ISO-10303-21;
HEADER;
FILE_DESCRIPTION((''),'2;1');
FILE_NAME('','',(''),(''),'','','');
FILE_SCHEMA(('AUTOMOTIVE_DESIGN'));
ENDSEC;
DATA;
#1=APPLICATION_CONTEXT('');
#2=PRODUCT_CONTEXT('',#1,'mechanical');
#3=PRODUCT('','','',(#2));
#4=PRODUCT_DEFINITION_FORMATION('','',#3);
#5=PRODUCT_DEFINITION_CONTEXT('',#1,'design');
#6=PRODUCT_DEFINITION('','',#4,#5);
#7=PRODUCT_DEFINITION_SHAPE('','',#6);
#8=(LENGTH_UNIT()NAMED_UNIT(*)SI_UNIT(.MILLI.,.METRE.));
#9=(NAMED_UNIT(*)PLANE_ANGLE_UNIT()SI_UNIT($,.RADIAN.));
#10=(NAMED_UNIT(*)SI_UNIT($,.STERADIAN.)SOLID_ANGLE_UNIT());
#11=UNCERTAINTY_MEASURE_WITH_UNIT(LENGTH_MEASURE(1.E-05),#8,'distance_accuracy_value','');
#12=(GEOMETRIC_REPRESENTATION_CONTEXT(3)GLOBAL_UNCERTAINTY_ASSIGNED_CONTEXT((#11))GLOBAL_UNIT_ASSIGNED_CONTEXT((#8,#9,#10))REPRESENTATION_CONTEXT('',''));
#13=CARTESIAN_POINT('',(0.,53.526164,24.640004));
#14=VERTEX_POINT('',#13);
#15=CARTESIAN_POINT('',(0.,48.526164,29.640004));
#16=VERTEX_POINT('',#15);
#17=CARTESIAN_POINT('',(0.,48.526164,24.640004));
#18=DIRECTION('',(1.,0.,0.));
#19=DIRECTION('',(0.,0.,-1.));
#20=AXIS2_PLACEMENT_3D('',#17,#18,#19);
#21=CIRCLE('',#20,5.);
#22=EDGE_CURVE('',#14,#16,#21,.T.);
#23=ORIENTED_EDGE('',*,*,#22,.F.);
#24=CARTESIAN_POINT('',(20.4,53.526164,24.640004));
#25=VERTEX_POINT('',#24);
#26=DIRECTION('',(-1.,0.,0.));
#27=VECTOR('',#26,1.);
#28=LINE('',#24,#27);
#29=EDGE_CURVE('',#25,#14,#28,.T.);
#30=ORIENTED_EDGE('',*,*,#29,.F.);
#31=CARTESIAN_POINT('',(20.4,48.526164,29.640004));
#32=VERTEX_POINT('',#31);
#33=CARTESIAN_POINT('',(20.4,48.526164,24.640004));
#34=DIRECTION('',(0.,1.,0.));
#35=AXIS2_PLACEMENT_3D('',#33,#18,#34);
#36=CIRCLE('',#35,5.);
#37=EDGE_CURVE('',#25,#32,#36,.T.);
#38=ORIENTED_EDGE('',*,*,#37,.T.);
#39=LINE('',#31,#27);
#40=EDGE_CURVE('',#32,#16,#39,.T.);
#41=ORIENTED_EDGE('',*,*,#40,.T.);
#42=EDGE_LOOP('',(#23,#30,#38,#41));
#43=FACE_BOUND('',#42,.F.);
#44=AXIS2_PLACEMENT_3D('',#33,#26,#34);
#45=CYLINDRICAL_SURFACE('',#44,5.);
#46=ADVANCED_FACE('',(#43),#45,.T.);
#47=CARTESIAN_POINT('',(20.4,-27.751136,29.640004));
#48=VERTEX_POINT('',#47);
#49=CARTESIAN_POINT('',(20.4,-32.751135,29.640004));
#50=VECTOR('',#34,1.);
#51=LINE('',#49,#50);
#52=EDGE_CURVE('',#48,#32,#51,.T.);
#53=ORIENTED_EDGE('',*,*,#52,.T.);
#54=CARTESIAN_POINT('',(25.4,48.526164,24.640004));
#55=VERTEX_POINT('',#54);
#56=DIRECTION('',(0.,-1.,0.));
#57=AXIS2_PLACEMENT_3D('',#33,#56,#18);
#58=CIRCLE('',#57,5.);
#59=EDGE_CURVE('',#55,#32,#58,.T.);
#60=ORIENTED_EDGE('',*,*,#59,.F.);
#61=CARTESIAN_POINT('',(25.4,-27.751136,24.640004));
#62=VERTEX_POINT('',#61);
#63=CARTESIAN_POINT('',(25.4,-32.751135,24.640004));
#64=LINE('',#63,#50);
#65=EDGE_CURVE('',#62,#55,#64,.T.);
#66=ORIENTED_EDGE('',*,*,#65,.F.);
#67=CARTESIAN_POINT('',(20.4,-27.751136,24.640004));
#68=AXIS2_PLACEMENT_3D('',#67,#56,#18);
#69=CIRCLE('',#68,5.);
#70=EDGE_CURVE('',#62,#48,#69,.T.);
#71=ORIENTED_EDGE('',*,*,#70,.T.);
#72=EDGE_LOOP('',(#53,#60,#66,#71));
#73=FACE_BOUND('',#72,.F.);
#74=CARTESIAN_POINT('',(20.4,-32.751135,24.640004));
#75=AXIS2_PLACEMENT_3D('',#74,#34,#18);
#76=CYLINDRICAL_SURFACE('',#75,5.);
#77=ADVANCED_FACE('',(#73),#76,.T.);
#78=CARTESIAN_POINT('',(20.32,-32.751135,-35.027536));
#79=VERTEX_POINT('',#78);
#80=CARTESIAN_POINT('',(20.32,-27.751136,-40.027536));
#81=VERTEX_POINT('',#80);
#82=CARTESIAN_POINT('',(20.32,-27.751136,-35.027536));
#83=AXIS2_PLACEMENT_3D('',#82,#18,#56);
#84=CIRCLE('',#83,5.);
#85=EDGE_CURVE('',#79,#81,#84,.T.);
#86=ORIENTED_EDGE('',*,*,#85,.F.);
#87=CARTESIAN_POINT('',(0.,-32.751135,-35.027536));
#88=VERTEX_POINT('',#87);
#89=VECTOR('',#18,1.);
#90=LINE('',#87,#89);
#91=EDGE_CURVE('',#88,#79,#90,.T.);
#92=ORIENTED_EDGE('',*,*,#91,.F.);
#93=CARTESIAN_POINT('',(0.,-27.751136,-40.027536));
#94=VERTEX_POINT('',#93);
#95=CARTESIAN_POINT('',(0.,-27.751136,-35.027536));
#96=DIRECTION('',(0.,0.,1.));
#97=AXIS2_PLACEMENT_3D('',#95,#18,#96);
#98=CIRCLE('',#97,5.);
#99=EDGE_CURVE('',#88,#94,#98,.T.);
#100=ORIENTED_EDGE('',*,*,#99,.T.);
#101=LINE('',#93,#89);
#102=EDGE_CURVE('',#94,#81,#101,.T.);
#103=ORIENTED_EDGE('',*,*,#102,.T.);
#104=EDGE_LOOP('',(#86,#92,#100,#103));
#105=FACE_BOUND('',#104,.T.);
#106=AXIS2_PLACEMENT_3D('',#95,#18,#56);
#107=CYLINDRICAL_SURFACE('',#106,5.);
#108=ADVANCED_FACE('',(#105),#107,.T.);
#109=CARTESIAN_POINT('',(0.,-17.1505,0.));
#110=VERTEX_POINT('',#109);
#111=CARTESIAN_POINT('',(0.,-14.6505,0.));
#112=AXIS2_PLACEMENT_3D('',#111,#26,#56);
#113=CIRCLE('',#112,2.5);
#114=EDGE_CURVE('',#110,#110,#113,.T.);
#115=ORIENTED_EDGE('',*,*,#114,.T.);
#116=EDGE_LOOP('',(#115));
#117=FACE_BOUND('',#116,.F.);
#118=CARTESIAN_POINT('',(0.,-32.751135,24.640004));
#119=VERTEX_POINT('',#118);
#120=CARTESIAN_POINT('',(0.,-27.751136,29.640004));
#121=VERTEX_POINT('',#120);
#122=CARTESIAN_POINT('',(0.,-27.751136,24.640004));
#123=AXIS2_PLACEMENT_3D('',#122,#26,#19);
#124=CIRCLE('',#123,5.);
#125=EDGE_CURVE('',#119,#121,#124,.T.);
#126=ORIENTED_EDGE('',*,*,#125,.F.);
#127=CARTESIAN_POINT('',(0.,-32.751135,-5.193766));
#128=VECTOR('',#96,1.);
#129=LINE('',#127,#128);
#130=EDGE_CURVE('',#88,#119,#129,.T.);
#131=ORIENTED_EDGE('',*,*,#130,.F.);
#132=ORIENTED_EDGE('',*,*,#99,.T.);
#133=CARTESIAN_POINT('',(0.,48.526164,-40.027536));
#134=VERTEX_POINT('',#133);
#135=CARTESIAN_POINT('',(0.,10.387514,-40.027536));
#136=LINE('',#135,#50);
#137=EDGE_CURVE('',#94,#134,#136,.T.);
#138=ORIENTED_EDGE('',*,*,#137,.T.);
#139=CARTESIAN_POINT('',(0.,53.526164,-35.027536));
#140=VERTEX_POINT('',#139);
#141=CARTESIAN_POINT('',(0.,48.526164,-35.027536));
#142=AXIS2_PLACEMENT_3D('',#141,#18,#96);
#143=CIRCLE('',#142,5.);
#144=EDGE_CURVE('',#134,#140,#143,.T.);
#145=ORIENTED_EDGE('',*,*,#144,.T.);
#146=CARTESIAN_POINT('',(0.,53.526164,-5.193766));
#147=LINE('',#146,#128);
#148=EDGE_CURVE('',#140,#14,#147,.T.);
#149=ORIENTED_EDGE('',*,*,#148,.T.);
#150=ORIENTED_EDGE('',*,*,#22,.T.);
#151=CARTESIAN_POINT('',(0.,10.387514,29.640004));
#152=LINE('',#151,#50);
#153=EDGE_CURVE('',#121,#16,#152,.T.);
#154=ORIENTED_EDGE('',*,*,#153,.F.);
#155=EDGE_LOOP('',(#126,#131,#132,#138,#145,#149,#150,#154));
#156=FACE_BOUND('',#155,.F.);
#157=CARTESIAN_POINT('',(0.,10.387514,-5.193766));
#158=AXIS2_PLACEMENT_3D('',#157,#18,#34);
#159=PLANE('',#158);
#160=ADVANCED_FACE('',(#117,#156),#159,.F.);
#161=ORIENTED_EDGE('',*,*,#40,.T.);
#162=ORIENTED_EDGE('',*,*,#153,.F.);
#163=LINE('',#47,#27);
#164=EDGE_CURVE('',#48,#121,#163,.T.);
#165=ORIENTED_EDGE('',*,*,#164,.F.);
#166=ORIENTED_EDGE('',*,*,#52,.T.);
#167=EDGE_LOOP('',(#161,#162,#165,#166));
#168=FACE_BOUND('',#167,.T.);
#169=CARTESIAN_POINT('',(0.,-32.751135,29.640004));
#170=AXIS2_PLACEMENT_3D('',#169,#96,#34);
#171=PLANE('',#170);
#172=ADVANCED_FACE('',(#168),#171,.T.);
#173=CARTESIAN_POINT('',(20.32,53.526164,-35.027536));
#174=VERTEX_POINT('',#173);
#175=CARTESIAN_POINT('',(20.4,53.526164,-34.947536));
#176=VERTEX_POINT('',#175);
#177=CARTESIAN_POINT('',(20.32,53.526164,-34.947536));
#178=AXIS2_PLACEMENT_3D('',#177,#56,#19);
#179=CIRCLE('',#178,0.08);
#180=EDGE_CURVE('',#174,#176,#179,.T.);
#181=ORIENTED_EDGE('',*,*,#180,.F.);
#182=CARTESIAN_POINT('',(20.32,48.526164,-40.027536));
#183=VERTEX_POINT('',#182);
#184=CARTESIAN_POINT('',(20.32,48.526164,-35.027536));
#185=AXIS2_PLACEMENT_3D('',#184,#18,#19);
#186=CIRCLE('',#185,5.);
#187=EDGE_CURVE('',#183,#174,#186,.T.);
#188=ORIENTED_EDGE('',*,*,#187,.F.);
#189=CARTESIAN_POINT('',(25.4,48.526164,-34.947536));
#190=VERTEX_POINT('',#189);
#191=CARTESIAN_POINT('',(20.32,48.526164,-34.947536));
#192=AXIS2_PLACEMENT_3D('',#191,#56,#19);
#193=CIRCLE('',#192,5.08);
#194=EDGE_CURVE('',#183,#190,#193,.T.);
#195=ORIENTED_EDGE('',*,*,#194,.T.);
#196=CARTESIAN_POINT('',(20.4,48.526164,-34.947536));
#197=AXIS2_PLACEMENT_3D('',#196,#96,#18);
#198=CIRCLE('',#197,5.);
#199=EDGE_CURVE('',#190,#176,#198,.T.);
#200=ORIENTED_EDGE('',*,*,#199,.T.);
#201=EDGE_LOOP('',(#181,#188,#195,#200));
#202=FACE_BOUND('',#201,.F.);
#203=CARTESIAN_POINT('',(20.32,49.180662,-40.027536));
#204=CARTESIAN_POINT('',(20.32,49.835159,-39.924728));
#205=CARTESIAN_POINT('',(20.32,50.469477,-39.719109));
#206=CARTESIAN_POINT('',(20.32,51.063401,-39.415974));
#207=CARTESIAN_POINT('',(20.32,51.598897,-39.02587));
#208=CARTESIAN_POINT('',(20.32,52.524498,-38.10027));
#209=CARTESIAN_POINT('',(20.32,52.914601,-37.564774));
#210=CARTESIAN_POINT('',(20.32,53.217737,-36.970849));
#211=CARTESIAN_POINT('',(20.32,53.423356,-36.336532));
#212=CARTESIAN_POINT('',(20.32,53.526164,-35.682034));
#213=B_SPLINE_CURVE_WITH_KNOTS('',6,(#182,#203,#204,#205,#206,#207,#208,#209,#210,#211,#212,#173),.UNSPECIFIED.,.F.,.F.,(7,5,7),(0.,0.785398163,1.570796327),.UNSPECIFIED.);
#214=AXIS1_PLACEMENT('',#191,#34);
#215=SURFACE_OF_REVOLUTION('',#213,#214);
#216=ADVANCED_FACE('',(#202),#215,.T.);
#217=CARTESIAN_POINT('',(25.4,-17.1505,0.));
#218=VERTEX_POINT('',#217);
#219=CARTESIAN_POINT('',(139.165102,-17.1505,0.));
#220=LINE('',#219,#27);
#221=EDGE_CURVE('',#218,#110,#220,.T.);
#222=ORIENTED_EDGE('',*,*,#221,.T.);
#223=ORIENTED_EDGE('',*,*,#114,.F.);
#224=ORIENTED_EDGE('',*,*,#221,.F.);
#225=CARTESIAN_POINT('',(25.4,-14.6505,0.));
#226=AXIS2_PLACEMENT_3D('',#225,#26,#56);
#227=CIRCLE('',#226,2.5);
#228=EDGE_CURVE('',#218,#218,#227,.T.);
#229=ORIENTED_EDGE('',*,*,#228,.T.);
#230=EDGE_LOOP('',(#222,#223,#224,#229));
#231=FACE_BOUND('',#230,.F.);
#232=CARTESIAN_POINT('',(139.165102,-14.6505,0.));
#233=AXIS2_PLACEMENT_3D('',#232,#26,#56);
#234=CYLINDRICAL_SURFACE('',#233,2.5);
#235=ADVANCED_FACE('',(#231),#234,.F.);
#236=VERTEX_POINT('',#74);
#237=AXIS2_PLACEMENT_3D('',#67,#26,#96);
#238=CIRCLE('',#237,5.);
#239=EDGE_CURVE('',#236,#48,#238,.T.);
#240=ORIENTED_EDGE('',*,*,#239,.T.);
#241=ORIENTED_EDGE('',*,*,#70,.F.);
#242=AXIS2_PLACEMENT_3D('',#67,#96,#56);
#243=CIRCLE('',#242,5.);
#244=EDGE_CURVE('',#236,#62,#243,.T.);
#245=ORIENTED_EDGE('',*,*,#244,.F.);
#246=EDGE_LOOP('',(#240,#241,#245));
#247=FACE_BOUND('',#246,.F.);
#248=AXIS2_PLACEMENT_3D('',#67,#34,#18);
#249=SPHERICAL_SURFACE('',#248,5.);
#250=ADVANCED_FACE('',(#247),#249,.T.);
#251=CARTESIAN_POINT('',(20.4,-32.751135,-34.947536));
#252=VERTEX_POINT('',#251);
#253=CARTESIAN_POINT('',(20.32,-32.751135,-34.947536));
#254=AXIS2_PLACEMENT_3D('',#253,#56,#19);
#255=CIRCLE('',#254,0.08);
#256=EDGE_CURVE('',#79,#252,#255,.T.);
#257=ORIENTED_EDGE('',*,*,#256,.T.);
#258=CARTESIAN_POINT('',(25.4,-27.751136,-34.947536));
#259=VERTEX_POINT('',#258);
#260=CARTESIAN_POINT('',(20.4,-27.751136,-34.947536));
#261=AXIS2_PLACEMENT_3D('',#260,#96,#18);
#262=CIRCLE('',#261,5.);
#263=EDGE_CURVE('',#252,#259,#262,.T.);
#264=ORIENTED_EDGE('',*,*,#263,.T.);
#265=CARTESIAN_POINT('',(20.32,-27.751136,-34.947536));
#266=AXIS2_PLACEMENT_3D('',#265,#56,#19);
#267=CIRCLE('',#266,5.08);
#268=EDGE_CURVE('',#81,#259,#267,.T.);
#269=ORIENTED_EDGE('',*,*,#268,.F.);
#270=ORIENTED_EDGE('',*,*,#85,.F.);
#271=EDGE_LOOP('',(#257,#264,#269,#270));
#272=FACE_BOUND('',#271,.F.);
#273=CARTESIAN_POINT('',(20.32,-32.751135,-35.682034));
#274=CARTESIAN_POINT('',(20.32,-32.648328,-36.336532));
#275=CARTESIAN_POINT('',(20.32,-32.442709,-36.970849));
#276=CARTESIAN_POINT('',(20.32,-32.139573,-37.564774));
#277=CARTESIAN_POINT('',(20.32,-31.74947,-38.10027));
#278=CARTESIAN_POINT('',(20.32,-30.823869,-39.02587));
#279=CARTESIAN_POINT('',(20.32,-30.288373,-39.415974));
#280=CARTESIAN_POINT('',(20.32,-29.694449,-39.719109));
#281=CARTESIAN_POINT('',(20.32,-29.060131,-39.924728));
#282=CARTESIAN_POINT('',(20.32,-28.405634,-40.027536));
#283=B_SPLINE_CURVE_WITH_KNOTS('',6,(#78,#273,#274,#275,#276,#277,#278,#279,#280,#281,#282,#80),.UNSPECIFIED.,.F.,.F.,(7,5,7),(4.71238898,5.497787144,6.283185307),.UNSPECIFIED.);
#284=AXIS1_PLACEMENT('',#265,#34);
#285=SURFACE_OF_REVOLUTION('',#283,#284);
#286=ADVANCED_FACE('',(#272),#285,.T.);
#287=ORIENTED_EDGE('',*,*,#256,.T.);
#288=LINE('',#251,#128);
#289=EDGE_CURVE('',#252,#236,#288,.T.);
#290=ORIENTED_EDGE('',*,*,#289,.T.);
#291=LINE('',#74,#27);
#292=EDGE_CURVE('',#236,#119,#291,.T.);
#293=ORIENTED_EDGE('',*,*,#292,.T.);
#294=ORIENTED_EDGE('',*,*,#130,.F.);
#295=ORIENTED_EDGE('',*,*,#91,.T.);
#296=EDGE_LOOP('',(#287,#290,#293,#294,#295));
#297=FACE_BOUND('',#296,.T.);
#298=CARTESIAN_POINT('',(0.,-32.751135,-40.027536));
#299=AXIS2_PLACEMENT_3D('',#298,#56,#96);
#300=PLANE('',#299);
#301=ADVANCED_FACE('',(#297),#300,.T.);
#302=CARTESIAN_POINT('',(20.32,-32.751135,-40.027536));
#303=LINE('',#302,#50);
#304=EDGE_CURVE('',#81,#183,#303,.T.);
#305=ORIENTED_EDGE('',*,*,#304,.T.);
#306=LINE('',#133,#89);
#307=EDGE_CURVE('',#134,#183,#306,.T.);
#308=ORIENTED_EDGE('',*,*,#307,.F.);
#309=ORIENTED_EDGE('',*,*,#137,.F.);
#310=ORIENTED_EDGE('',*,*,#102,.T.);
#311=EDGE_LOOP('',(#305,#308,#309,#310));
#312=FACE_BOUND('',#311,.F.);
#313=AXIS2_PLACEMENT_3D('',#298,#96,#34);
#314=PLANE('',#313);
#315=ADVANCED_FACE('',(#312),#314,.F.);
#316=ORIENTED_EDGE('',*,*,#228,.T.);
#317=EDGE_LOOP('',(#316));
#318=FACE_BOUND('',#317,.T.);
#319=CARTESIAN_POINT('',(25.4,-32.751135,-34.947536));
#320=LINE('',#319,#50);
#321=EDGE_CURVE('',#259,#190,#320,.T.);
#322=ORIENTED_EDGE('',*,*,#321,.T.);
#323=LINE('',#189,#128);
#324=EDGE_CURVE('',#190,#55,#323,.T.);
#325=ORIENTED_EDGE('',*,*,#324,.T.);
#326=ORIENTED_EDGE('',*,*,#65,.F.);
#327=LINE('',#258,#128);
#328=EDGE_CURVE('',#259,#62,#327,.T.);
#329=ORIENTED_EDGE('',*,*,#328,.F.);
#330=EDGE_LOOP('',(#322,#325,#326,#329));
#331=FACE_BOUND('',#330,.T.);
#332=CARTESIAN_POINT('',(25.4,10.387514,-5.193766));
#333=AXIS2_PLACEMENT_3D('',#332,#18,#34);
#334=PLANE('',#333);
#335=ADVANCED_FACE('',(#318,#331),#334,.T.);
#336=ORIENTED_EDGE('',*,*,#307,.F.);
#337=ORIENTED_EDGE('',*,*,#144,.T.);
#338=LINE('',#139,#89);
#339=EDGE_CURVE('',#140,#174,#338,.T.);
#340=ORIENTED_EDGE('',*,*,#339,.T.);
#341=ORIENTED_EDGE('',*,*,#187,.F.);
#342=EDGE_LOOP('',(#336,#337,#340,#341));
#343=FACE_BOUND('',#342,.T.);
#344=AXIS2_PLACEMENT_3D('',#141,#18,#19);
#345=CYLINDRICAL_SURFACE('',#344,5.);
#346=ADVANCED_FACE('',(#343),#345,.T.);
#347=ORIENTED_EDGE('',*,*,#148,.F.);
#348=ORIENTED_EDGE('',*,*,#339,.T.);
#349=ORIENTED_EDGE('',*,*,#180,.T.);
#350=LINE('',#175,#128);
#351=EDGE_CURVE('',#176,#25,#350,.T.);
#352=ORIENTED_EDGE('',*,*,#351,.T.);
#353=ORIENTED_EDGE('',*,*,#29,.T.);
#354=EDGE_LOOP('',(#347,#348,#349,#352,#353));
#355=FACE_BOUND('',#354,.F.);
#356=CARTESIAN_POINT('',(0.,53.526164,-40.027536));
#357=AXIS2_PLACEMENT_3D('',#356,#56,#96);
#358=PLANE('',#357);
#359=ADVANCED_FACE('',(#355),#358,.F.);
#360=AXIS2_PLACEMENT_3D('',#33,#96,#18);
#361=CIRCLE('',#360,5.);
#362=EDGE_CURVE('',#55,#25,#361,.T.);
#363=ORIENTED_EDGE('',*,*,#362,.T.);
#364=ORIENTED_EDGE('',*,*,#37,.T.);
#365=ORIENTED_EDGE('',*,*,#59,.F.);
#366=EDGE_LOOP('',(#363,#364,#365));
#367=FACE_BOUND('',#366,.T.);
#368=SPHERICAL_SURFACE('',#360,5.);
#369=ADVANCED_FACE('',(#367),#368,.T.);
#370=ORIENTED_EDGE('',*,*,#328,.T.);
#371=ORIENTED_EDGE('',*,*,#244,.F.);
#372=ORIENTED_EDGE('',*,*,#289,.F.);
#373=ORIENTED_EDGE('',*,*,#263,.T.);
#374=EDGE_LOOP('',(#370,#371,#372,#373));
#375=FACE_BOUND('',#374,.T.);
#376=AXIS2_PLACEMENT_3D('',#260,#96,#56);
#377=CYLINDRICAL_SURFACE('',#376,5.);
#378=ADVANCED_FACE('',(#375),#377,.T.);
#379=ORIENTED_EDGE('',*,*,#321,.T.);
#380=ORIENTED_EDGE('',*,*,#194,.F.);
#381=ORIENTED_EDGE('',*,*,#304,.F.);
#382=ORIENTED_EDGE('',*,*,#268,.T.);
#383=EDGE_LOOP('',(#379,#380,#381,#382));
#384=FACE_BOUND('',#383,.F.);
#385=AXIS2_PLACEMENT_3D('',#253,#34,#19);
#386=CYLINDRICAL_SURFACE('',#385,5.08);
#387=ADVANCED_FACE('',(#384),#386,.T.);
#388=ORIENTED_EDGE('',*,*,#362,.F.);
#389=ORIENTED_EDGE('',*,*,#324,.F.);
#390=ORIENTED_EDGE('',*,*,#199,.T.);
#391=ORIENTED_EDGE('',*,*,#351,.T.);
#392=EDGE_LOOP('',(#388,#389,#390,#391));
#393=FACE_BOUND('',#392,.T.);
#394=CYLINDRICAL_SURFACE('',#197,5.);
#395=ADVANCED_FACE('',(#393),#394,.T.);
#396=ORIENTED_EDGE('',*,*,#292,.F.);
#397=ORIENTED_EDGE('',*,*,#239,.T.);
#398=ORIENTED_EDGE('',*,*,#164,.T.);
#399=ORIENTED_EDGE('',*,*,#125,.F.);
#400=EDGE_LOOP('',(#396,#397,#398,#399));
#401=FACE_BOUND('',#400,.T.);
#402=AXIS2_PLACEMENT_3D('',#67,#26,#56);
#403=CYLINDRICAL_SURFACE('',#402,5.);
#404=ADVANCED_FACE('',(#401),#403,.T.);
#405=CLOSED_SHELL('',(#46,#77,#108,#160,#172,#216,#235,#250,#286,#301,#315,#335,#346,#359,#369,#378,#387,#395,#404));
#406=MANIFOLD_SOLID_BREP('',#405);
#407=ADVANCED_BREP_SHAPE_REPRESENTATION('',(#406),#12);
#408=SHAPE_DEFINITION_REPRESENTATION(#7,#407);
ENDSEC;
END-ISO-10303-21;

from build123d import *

# Parameters (mm, degrees)
F0_W     = 86.277299
F0_H     = 69.66754
F1_DEPTH = 25.4
F2_R     = 5.08
F3_R     = 5
F4_R     = 5
F5_R     = 5
F7_D     = 5


with BuildPart() as f1:
    # F0 (on Right) → F1 (new body)
    with BuildSketch(Plane.YZ):
        with Locations((10.387514, -5.193766)):
            Rectangle(F0_W, F0_H)
    extrude(amount=F1_DEPTH)

    # F2
    f2_edges = [f1.edges().sort_by_distance(p)[0] for p in [
        (25.4, 10.387514, -40.027536),
    ]]
    fillet(f2_edges, radius=F2_R)

    # F3
    f3_edges = [f1.edges().sort_by_distance(p)[0] for p in [
        (25.4, 53.526163, -2.653766),
    ]]
    fillet(f3_edges, radius=F3_R)

    # F4
    f4_edges = [f1.edges().sort_by_distance(p)[0] for p in [
        (25.4, 7.887514, 29.640004),
    ]]
    fillet(f4_edges, radius=F4_R)

    # F5
    f5_edges = [f1.edges().sort_by_distance(p)[0] for p in [
        (25.4, -32.751136, -5.153766),
    ]]
    fillet(f5_edges, radius=F5_R)

    # F7 (through all)
    with Locations(Plane.YZ.offset(25.4)):
        with Locations((-14.6505, 0)):
            Hole(F7_D / 2)


solid = f1.part
